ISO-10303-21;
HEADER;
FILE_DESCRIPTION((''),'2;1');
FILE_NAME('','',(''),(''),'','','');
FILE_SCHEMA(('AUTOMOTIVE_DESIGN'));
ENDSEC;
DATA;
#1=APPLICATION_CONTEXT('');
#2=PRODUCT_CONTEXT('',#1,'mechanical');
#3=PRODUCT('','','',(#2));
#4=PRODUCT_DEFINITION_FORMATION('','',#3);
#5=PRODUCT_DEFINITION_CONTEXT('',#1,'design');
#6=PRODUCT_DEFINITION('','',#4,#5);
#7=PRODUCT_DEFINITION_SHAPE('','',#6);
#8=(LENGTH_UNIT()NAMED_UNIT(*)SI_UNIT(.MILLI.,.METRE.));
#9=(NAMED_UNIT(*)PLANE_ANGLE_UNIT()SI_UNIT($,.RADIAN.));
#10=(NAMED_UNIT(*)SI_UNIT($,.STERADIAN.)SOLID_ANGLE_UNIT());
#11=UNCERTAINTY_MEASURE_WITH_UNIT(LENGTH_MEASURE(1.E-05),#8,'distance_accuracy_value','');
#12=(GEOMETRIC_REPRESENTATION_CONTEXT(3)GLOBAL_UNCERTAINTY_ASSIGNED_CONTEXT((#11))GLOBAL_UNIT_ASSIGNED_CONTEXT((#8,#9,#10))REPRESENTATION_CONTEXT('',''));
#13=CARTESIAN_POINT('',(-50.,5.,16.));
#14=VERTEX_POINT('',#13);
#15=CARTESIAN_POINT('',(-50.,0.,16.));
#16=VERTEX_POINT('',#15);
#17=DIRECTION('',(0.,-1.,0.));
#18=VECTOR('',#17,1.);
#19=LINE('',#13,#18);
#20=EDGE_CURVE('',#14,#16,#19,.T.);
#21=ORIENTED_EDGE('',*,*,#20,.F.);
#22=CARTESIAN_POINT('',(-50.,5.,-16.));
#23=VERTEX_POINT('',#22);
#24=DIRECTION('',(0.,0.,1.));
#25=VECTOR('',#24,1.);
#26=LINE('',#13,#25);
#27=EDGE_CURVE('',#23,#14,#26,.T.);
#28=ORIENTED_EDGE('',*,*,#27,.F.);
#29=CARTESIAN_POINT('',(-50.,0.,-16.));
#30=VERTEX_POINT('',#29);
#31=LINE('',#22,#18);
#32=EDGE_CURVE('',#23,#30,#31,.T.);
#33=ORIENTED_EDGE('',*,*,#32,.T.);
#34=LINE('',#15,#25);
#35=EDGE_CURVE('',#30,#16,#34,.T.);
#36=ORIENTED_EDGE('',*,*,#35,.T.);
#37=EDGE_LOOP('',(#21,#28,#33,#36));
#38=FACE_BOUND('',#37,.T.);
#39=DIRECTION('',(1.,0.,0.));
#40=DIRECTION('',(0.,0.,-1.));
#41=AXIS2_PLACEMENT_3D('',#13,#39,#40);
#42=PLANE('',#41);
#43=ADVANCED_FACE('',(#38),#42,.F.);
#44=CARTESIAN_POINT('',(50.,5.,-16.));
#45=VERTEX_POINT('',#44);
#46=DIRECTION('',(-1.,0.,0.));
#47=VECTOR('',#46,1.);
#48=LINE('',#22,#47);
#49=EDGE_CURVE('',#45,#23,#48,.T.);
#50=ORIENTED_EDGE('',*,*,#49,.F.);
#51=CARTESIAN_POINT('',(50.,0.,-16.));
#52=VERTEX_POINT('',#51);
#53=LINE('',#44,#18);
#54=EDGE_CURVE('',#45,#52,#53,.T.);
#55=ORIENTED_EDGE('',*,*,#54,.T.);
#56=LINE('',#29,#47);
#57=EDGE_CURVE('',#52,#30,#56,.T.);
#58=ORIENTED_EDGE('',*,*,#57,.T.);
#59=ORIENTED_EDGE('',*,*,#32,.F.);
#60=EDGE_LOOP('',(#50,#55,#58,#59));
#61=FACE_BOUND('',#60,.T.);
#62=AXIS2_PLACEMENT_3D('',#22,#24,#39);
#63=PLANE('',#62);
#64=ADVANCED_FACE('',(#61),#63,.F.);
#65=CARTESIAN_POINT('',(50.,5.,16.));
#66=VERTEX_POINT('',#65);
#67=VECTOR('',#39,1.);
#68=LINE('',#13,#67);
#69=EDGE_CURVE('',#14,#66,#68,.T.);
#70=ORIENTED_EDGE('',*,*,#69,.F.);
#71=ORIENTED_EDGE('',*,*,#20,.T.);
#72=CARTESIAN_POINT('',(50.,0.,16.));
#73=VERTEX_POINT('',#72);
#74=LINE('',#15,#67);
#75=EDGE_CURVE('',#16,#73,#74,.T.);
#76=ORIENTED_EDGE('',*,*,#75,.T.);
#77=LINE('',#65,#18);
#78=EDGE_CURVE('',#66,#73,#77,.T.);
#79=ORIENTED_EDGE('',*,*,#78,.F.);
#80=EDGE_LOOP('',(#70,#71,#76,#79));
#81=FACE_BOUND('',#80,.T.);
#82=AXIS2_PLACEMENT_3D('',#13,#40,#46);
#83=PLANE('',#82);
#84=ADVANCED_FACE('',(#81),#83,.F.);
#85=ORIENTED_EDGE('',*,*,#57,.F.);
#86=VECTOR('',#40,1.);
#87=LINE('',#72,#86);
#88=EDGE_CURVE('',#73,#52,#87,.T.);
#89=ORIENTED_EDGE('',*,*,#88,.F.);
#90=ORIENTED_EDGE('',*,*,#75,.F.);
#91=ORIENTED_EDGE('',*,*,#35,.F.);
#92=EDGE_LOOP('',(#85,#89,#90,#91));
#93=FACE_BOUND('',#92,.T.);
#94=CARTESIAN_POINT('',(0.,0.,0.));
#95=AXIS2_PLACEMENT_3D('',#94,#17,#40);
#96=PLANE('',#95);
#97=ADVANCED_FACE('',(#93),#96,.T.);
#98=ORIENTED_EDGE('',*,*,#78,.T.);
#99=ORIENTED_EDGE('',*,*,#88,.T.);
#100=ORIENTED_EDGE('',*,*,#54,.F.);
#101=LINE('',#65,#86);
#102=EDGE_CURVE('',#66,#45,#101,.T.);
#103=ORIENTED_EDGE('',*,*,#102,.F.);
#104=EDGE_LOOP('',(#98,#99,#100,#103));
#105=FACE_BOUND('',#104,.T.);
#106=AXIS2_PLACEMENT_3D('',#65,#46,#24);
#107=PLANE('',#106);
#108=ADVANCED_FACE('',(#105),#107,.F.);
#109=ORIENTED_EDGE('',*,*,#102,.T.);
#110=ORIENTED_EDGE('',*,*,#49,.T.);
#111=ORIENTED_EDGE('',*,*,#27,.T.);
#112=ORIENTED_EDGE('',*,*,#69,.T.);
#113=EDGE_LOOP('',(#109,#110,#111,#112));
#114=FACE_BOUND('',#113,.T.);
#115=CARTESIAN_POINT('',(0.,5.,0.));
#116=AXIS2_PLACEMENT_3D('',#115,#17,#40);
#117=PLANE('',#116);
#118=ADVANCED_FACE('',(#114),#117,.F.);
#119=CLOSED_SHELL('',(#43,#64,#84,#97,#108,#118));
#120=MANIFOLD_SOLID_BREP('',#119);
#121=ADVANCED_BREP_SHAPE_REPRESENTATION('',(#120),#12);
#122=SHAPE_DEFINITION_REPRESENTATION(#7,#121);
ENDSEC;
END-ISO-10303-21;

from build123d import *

# Parameters (mm, degrees)
CROQUIS1_W              = 100
CROQUIS1_H              = 32
SALIENTE_EXTRUIR1_DEPTH = 5


with BuildPart() as part:
    # Croquis1 → Saliente-Extruir1 (new body)
    with BuildSketch(Plane(origin=(0, 0, 0), x_dir=(1, 0, 0), z_dir=(0, 1, 0))):
        Rectangle(CROQUIS1_W, CROQUIS1_H)
    extrude(amount=SALIENTE_EXTRUIR1_DEPTH)


solid = part.part
